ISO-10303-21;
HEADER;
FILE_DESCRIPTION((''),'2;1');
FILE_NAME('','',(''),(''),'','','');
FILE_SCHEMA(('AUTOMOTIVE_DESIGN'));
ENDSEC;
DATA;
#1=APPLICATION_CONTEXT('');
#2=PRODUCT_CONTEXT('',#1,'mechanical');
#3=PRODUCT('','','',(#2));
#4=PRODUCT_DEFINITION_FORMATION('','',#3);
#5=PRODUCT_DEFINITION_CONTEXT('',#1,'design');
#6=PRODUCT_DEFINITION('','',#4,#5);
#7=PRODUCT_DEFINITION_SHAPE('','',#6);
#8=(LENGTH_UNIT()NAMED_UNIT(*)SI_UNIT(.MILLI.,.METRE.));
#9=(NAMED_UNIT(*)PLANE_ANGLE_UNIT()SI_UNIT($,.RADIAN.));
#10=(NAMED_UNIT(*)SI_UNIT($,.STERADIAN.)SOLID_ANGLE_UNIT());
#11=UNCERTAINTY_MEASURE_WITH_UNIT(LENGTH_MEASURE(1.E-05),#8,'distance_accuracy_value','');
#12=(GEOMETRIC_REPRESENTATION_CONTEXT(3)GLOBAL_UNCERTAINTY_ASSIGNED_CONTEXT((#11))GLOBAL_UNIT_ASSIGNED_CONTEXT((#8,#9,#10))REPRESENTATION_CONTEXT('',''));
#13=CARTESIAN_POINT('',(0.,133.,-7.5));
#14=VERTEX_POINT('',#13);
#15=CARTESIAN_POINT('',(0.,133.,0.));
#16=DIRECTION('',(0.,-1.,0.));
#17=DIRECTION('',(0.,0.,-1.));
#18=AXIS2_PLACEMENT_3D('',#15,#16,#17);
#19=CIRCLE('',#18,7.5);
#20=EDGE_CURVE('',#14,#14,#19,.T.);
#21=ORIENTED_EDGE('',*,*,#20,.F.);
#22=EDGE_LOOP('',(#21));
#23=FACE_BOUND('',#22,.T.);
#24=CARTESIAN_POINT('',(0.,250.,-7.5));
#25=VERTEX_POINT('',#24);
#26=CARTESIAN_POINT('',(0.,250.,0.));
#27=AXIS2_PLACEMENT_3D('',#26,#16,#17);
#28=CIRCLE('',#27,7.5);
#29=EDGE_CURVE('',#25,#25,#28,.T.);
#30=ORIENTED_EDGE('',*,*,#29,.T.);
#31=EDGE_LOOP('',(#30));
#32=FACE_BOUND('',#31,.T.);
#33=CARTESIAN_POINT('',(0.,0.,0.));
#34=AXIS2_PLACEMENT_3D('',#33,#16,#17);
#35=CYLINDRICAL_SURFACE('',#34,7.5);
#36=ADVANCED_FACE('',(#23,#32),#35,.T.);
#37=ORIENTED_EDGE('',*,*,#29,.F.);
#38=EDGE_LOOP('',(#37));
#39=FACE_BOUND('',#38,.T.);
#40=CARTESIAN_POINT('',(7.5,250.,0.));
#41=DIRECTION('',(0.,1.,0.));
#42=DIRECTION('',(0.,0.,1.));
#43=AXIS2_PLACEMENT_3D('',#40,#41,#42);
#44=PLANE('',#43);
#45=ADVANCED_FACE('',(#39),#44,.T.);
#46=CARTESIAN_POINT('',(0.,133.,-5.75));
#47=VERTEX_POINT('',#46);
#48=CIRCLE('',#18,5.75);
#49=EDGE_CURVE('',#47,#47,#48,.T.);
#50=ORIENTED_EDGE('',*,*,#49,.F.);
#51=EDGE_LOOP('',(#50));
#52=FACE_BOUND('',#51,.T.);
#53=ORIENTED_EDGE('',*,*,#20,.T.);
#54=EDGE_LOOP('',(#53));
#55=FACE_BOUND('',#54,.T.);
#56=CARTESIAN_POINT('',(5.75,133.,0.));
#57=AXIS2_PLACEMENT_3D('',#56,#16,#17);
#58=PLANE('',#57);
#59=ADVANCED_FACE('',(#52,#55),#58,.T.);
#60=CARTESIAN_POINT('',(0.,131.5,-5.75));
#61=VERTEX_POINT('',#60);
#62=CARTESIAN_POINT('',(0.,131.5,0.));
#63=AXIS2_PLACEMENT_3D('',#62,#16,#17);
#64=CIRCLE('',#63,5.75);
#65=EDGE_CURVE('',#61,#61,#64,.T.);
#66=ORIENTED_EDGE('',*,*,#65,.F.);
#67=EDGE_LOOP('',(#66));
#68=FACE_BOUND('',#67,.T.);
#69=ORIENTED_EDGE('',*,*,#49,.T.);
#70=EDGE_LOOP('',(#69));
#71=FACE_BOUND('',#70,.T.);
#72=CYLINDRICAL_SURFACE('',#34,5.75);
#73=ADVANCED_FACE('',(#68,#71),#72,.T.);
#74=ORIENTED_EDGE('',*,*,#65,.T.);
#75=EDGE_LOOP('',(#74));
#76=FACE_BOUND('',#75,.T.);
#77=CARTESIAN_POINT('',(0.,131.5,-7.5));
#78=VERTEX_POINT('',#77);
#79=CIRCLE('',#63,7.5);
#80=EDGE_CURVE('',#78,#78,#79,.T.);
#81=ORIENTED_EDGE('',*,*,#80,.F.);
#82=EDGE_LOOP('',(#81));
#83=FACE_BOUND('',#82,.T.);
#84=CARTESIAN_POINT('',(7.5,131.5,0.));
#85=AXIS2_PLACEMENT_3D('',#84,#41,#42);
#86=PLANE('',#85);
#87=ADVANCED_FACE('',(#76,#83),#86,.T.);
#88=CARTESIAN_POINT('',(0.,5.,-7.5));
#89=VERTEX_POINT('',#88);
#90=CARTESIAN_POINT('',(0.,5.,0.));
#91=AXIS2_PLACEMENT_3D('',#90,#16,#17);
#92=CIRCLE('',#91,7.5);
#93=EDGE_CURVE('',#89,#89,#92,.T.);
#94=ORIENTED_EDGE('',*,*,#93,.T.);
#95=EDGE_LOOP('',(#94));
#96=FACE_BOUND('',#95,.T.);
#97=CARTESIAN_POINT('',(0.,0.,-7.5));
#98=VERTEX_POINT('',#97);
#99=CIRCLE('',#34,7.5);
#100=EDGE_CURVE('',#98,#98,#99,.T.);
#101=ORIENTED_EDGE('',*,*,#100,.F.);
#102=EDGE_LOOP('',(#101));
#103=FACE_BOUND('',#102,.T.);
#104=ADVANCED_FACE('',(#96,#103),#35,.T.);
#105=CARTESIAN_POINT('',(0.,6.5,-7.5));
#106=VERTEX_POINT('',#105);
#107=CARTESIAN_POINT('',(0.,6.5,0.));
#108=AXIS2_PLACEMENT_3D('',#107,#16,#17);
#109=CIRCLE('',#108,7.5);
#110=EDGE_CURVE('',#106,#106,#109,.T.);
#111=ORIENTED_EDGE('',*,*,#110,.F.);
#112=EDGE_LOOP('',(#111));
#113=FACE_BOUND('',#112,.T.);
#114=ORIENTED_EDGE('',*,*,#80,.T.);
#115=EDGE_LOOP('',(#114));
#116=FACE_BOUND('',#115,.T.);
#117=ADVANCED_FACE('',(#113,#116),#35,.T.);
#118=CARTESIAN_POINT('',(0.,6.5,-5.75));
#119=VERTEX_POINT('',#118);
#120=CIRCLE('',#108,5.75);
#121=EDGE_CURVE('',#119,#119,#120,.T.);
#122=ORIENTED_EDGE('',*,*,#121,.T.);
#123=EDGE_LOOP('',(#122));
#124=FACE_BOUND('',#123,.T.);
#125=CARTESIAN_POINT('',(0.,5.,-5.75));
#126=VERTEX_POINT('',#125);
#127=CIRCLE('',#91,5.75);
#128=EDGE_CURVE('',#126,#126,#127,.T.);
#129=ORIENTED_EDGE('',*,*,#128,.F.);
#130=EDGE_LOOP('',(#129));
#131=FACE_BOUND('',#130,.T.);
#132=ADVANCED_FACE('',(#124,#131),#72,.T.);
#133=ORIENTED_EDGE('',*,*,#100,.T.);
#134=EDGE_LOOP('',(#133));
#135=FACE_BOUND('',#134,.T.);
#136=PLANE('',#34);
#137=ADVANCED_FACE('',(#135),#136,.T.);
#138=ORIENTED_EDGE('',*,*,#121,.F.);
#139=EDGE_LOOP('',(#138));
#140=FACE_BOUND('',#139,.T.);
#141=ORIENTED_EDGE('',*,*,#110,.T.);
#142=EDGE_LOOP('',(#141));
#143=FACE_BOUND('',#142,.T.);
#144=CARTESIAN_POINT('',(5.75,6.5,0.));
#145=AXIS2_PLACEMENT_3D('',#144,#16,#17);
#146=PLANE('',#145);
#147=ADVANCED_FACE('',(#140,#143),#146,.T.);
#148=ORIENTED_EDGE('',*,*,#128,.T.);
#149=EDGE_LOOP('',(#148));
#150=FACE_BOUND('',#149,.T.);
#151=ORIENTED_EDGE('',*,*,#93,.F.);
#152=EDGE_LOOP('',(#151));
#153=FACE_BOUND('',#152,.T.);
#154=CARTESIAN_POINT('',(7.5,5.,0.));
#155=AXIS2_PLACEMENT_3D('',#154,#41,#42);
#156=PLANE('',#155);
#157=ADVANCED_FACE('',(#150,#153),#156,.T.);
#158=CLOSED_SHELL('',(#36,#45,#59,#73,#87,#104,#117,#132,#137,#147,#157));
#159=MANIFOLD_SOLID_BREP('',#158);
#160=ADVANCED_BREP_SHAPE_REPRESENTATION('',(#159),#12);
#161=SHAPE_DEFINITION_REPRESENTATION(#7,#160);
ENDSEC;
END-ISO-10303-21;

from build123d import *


with BuildPart() as part:
    # Sketch1 → Revolve2 (revolve)
    with BuildSketch(Plane.XY, mode=Mode.PRIVATE) as revolve2_sk:
        Polygon((0, 0), (0, 250), (7.5, 250), (7.5, 133), (5.75, 133), (5.75, 131.5), (7.5, 131.5), (7.5, 6.5), (5.75, 6.5), (5.75, 5), (7.5, 5), (7.5, 0), align=None)
    revolve(revolve2_sk.sketch.rotate(Axis((0, 0, 0), (0, 1, 0)), 90), axis=Axis((0, 0, 0), (0, 1, 0)))


solid = part.part
